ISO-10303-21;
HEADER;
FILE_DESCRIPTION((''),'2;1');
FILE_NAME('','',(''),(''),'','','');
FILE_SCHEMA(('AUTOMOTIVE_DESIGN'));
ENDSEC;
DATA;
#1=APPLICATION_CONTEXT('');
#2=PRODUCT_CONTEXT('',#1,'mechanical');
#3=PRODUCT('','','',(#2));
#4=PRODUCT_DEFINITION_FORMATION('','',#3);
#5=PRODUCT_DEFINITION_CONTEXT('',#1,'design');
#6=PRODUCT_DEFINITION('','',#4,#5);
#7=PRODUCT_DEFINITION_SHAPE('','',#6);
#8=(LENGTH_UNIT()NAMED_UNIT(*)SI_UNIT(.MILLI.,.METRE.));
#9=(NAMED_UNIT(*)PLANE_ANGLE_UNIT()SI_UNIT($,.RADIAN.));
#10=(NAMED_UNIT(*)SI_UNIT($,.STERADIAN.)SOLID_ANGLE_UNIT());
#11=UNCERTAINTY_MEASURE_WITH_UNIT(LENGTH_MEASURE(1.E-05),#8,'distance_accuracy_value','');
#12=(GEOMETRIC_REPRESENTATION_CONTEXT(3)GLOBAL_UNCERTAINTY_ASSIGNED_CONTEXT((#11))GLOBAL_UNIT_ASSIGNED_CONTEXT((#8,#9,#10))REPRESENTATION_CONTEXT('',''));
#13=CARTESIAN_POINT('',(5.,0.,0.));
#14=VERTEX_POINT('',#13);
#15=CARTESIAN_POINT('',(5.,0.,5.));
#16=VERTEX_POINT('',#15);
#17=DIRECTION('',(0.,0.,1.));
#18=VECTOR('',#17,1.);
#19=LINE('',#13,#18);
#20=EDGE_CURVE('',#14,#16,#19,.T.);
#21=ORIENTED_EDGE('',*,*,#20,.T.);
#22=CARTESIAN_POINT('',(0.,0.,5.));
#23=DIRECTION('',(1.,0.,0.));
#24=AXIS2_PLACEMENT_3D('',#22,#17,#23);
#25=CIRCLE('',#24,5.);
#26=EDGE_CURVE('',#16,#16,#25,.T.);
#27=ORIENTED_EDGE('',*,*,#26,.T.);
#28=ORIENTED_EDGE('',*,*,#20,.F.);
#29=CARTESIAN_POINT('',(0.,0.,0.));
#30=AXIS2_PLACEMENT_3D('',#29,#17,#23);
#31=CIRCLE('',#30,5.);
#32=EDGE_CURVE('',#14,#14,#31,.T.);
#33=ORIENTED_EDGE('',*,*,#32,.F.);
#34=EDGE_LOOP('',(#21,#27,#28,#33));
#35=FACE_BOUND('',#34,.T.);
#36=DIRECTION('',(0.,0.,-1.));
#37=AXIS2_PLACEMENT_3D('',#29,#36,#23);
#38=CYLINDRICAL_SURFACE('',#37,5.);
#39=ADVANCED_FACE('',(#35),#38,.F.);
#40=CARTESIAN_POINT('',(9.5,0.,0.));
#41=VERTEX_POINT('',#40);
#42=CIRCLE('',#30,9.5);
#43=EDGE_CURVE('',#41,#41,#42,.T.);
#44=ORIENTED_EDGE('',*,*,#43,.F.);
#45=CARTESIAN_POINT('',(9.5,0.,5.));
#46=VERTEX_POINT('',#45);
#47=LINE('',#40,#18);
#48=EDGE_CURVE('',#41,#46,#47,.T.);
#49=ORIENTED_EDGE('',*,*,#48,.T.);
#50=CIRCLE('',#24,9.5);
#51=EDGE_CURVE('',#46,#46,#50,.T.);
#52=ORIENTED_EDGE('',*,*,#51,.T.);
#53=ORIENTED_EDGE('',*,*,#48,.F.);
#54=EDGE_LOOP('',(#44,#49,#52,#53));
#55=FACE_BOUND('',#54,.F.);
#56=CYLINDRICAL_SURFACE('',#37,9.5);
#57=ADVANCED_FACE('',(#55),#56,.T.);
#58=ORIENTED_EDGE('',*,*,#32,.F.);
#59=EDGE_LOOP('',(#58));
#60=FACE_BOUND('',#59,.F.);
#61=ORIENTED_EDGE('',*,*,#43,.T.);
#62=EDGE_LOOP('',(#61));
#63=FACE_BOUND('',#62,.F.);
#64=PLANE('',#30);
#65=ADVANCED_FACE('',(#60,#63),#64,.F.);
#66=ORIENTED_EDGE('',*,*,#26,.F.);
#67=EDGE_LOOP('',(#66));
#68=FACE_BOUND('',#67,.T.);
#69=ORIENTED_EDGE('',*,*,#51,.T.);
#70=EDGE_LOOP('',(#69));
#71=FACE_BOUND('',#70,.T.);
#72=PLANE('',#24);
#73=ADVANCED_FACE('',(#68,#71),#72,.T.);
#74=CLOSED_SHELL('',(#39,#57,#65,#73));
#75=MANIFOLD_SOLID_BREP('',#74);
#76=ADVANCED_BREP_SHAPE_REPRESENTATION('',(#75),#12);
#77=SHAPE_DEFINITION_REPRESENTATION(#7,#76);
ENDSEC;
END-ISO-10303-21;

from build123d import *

# Parameters (mm, degrees)
SKETCH_1_R      = 9.5
SKETCH_1_R_2    = 5
EXTRUDE_1_DEPTH = 5


with BuildPart() as part:
    # 스케치1 → 보스-돌출1 (new body)
    with BuildSketch(Plane.XY):
        Circle(SKETCH_1_R)
        Circle(SKETCH_1_R_2, mode=Mode.SUBTRACT)
    extrude(amount=EXTRUDE_1_DEPTH)


solid = part.part
